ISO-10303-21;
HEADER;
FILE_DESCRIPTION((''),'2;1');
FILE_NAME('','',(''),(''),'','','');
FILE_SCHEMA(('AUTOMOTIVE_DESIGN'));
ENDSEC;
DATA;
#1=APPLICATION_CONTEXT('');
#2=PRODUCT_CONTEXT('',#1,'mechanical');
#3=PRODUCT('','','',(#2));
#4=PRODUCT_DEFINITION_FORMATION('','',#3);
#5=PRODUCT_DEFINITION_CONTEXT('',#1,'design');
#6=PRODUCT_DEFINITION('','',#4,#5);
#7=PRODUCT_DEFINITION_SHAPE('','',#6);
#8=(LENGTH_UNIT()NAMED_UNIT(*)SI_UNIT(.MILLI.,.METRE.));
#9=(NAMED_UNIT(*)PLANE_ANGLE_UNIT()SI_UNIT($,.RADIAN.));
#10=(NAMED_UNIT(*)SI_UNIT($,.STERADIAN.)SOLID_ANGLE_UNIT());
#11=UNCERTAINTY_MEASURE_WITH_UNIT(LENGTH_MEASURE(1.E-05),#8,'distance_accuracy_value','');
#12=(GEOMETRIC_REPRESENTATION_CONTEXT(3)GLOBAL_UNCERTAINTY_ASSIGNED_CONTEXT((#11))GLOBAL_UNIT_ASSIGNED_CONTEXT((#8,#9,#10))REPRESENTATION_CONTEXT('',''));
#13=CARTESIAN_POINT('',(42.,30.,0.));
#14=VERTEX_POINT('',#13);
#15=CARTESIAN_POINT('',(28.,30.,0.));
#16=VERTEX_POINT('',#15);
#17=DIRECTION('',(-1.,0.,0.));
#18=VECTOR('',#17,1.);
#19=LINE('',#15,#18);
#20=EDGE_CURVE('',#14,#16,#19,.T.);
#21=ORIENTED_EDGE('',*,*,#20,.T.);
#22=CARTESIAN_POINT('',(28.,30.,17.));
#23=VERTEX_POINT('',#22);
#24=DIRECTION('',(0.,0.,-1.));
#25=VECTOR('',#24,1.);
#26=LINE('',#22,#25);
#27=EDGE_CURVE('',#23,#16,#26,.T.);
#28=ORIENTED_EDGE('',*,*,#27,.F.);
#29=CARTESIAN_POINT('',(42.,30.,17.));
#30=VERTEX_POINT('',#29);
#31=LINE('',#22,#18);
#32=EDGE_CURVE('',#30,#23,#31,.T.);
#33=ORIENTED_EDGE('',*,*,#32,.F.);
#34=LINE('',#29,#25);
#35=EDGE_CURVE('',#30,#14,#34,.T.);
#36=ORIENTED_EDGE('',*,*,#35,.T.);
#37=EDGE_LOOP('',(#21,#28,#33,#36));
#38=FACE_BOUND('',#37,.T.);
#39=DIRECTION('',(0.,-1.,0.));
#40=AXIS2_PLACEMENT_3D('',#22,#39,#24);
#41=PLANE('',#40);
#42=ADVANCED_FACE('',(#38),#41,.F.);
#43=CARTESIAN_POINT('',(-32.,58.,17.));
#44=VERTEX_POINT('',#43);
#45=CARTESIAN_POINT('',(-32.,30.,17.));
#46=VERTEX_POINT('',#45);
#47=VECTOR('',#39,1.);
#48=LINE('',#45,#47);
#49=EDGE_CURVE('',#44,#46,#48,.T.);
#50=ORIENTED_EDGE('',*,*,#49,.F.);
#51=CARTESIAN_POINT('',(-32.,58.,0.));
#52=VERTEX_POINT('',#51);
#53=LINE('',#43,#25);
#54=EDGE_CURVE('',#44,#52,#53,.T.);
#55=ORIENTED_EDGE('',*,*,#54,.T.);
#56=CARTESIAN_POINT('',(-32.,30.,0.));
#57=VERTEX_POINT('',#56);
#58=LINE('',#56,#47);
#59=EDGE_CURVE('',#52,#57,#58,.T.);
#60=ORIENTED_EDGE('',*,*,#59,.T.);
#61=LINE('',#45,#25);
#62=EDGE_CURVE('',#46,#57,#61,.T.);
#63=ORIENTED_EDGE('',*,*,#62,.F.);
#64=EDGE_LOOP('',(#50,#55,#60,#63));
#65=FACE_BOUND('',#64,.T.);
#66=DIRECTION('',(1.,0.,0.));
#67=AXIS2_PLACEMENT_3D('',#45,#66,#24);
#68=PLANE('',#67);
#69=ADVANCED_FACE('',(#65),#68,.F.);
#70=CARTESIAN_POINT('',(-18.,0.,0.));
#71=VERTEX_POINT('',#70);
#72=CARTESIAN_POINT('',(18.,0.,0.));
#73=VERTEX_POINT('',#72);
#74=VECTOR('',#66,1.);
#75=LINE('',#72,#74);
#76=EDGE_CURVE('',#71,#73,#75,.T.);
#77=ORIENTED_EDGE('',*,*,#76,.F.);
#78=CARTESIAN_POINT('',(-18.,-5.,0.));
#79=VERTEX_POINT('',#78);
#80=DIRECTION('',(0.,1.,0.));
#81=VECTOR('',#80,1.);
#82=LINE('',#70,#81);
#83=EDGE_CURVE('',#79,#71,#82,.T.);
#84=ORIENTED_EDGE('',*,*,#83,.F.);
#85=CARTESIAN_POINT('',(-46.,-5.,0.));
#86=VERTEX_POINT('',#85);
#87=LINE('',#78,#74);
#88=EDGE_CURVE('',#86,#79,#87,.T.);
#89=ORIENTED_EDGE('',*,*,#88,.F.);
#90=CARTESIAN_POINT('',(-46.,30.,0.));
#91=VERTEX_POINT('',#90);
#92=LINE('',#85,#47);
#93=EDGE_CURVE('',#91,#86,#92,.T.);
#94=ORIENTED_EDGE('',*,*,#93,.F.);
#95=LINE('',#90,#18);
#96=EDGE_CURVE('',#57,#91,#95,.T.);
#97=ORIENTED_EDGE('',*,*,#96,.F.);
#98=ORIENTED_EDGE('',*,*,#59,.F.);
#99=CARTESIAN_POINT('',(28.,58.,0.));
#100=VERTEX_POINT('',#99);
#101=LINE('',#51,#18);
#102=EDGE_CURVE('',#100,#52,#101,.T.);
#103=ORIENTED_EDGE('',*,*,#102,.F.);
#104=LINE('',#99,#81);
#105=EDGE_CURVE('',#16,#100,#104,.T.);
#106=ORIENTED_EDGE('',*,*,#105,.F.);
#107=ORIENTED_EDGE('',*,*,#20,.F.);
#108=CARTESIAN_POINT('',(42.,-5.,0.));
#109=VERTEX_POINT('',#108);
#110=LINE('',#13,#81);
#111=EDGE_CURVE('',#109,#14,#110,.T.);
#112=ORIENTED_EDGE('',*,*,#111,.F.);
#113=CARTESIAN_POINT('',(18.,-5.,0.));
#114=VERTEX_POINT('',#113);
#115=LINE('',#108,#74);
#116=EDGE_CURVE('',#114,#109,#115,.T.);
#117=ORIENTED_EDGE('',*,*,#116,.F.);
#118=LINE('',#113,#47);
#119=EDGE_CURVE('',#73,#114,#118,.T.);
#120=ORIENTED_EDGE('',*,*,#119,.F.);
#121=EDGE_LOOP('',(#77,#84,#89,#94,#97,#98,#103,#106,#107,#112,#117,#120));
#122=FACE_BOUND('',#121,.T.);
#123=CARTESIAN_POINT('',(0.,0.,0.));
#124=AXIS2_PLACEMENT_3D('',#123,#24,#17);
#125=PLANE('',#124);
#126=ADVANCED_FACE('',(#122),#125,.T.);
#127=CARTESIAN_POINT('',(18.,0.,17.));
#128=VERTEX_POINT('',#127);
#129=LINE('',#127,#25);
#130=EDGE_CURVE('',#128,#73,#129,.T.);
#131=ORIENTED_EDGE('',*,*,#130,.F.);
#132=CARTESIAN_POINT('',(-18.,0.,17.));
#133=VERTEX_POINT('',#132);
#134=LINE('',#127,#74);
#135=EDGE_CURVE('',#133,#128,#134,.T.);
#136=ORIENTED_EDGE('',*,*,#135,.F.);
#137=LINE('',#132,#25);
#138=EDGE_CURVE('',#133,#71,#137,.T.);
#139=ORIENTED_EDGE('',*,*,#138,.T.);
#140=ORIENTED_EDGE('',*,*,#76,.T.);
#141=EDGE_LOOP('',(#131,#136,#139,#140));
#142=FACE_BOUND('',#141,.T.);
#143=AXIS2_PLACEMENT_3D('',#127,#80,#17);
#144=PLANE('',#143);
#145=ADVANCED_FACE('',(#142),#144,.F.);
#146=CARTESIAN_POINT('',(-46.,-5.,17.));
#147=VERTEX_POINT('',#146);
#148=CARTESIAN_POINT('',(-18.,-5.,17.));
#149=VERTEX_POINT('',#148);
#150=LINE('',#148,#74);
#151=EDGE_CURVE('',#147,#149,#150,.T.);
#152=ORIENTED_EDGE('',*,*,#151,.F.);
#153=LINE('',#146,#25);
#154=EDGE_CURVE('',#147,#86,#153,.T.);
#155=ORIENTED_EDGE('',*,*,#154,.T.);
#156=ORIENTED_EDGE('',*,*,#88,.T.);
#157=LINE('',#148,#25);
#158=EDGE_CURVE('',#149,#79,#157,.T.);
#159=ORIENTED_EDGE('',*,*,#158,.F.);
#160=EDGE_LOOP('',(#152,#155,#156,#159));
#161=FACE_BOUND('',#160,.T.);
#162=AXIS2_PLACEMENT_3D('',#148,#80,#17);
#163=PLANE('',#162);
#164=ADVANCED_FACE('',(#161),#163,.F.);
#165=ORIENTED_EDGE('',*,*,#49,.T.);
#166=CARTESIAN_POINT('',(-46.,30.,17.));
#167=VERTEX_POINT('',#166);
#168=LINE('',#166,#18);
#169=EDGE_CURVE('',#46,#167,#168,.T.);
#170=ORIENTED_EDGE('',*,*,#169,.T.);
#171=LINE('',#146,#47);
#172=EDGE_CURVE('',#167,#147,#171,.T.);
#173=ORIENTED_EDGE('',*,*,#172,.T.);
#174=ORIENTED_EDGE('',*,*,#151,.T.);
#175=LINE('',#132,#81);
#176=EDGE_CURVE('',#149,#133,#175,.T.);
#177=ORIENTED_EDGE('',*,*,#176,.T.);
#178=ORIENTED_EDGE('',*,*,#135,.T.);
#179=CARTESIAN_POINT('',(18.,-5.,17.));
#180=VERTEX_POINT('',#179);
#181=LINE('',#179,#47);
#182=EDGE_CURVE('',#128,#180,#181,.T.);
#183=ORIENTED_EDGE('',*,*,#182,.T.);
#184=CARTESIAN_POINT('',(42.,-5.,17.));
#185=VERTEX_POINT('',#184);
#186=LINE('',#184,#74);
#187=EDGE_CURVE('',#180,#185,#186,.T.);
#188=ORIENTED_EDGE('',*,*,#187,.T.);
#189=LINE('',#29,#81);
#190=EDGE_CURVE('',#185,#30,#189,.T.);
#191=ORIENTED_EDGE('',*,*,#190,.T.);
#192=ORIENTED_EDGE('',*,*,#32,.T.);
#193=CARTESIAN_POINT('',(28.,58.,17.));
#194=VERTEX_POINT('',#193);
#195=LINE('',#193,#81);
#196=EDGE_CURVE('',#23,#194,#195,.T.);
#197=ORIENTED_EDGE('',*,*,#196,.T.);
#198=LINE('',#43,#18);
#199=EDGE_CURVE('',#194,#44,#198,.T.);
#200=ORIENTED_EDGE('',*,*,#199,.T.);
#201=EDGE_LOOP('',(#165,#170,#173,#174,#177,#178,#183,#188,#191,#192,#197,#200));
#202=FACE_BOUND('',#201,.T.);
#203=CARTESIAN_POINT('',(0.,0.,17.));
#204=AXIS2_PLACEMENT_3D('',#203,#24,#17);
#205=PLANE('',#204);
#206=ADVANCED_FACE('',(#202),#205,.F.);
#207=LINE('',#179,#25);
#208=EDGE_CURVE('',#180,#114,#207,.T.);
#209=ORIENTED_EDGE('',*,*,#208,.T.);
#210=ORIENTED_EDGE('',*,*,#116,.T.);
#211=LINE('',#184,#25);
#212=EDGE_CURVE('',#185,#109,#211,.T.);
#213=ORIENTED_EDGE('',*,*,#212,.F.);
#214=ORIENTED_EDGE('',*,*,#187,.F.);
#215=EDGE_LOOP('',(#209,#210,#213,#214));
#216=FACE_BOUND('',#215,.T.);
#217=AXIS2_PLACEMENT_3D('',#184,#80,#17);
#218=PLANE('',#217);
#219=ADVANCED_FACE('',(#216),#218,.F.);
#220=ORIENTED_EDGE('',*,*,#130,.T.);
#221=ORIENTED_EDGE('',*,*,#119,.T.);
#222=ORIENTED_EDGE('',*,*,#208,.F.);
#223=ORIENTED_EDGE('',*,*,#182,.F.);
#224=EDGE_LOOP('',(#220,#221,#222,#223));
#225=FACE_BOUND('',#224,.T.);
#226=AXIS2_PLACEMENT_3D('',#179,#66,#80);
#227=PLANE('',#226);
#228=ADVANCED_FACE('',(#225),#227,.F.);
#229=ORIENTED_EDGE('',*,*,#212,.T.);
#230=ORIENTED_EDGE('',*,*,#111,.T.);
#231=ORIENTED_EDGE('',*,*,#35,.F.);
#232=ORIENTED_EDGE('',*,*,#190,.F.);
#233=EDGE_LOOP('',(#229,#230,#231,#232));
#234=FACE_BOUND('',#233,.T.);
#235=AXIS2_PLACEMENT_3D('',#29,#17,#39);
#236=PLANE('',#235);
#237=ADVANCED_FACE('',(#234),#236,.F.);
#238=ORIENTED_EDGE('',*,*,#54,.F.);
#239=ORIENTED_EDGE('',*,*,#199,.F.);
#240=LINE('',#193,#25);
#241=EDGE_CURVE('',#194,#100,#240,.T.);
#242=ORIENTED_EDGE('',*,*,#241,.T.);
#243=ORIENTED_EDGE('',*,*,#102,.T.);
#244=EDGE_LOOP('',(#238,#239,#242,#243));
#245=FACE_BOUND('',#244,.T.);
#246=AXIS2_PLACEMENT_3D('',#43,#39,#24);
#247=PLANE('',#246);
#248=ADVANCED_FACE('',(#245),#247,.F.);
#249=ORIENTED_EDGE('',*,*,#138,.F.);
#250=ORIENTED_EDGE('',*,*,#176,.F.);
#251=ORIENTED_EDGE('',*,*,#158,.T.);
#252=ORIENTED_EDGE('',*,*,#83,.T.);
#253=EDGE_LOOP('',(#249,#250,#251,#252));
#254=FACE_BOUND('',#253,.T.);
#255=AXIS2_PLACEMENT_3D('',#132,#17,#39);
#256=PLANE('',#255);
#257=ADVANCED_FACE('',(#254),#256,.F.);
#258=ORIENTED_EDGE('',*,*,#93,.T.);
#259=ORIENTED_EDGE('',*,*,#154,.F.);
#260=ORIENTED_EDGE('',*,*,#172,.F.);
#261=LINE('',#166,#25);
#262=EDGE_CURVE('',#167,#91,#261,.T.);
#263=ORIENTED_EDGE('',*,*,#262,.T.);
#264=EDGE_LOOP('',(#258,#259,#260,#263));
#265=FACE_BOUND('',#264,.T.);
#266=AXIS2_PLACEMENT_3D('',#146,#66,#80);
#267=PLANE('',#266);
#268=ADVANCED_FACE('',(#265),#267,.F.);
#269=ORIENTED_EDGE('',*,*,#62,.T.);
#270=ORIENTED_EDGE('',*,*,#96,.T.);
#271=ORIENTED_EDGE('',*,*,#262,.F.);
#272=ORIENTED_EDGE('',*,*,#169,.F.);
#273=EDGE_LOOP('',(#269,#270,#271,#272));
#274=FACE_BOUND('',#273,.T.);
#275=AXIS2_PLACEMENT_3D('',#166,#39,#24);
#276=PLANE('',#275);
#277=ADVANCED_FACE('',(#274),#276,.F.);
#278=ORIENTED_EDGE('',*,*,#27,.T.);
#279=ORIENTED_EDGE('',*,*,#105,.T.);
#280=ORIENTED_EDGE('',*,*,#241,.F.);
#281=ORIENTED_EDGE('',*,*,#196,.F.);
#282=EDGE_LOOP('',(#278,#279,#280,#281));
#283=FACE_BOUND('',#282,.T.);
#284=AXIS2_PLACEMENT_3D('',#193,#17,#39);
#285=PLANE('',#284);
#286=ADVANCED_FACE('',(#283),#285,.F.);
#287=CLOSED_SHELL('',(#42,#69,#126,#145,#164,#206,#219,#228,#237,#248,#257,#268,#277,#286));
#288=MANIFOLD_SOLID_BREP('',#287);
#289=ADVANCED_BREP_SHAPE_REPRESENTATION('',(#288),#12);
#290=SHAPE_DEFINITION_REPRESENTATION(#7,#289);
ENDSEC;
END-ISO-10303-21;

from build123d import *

# Parameters (mm, degrees)
BOSS_EXTRUDE1_DEPTH = 17


with BuildPart() as part:
    # Sketch1 → Boss-Extrude1 (new body)
    with BuildSketch(Plane.XY):
        Polygon((-32, 58), (28, 58), (28, 30), (42, 30), (42, -5), (18, -5), (18, 0), (-18, 0), (-18, -5), (-46, -5), (-46, 30), (-32, 30), align=None)
    extrude(amount=BOSS_EXTRUDE1_DEPTH)


solid = part.part
